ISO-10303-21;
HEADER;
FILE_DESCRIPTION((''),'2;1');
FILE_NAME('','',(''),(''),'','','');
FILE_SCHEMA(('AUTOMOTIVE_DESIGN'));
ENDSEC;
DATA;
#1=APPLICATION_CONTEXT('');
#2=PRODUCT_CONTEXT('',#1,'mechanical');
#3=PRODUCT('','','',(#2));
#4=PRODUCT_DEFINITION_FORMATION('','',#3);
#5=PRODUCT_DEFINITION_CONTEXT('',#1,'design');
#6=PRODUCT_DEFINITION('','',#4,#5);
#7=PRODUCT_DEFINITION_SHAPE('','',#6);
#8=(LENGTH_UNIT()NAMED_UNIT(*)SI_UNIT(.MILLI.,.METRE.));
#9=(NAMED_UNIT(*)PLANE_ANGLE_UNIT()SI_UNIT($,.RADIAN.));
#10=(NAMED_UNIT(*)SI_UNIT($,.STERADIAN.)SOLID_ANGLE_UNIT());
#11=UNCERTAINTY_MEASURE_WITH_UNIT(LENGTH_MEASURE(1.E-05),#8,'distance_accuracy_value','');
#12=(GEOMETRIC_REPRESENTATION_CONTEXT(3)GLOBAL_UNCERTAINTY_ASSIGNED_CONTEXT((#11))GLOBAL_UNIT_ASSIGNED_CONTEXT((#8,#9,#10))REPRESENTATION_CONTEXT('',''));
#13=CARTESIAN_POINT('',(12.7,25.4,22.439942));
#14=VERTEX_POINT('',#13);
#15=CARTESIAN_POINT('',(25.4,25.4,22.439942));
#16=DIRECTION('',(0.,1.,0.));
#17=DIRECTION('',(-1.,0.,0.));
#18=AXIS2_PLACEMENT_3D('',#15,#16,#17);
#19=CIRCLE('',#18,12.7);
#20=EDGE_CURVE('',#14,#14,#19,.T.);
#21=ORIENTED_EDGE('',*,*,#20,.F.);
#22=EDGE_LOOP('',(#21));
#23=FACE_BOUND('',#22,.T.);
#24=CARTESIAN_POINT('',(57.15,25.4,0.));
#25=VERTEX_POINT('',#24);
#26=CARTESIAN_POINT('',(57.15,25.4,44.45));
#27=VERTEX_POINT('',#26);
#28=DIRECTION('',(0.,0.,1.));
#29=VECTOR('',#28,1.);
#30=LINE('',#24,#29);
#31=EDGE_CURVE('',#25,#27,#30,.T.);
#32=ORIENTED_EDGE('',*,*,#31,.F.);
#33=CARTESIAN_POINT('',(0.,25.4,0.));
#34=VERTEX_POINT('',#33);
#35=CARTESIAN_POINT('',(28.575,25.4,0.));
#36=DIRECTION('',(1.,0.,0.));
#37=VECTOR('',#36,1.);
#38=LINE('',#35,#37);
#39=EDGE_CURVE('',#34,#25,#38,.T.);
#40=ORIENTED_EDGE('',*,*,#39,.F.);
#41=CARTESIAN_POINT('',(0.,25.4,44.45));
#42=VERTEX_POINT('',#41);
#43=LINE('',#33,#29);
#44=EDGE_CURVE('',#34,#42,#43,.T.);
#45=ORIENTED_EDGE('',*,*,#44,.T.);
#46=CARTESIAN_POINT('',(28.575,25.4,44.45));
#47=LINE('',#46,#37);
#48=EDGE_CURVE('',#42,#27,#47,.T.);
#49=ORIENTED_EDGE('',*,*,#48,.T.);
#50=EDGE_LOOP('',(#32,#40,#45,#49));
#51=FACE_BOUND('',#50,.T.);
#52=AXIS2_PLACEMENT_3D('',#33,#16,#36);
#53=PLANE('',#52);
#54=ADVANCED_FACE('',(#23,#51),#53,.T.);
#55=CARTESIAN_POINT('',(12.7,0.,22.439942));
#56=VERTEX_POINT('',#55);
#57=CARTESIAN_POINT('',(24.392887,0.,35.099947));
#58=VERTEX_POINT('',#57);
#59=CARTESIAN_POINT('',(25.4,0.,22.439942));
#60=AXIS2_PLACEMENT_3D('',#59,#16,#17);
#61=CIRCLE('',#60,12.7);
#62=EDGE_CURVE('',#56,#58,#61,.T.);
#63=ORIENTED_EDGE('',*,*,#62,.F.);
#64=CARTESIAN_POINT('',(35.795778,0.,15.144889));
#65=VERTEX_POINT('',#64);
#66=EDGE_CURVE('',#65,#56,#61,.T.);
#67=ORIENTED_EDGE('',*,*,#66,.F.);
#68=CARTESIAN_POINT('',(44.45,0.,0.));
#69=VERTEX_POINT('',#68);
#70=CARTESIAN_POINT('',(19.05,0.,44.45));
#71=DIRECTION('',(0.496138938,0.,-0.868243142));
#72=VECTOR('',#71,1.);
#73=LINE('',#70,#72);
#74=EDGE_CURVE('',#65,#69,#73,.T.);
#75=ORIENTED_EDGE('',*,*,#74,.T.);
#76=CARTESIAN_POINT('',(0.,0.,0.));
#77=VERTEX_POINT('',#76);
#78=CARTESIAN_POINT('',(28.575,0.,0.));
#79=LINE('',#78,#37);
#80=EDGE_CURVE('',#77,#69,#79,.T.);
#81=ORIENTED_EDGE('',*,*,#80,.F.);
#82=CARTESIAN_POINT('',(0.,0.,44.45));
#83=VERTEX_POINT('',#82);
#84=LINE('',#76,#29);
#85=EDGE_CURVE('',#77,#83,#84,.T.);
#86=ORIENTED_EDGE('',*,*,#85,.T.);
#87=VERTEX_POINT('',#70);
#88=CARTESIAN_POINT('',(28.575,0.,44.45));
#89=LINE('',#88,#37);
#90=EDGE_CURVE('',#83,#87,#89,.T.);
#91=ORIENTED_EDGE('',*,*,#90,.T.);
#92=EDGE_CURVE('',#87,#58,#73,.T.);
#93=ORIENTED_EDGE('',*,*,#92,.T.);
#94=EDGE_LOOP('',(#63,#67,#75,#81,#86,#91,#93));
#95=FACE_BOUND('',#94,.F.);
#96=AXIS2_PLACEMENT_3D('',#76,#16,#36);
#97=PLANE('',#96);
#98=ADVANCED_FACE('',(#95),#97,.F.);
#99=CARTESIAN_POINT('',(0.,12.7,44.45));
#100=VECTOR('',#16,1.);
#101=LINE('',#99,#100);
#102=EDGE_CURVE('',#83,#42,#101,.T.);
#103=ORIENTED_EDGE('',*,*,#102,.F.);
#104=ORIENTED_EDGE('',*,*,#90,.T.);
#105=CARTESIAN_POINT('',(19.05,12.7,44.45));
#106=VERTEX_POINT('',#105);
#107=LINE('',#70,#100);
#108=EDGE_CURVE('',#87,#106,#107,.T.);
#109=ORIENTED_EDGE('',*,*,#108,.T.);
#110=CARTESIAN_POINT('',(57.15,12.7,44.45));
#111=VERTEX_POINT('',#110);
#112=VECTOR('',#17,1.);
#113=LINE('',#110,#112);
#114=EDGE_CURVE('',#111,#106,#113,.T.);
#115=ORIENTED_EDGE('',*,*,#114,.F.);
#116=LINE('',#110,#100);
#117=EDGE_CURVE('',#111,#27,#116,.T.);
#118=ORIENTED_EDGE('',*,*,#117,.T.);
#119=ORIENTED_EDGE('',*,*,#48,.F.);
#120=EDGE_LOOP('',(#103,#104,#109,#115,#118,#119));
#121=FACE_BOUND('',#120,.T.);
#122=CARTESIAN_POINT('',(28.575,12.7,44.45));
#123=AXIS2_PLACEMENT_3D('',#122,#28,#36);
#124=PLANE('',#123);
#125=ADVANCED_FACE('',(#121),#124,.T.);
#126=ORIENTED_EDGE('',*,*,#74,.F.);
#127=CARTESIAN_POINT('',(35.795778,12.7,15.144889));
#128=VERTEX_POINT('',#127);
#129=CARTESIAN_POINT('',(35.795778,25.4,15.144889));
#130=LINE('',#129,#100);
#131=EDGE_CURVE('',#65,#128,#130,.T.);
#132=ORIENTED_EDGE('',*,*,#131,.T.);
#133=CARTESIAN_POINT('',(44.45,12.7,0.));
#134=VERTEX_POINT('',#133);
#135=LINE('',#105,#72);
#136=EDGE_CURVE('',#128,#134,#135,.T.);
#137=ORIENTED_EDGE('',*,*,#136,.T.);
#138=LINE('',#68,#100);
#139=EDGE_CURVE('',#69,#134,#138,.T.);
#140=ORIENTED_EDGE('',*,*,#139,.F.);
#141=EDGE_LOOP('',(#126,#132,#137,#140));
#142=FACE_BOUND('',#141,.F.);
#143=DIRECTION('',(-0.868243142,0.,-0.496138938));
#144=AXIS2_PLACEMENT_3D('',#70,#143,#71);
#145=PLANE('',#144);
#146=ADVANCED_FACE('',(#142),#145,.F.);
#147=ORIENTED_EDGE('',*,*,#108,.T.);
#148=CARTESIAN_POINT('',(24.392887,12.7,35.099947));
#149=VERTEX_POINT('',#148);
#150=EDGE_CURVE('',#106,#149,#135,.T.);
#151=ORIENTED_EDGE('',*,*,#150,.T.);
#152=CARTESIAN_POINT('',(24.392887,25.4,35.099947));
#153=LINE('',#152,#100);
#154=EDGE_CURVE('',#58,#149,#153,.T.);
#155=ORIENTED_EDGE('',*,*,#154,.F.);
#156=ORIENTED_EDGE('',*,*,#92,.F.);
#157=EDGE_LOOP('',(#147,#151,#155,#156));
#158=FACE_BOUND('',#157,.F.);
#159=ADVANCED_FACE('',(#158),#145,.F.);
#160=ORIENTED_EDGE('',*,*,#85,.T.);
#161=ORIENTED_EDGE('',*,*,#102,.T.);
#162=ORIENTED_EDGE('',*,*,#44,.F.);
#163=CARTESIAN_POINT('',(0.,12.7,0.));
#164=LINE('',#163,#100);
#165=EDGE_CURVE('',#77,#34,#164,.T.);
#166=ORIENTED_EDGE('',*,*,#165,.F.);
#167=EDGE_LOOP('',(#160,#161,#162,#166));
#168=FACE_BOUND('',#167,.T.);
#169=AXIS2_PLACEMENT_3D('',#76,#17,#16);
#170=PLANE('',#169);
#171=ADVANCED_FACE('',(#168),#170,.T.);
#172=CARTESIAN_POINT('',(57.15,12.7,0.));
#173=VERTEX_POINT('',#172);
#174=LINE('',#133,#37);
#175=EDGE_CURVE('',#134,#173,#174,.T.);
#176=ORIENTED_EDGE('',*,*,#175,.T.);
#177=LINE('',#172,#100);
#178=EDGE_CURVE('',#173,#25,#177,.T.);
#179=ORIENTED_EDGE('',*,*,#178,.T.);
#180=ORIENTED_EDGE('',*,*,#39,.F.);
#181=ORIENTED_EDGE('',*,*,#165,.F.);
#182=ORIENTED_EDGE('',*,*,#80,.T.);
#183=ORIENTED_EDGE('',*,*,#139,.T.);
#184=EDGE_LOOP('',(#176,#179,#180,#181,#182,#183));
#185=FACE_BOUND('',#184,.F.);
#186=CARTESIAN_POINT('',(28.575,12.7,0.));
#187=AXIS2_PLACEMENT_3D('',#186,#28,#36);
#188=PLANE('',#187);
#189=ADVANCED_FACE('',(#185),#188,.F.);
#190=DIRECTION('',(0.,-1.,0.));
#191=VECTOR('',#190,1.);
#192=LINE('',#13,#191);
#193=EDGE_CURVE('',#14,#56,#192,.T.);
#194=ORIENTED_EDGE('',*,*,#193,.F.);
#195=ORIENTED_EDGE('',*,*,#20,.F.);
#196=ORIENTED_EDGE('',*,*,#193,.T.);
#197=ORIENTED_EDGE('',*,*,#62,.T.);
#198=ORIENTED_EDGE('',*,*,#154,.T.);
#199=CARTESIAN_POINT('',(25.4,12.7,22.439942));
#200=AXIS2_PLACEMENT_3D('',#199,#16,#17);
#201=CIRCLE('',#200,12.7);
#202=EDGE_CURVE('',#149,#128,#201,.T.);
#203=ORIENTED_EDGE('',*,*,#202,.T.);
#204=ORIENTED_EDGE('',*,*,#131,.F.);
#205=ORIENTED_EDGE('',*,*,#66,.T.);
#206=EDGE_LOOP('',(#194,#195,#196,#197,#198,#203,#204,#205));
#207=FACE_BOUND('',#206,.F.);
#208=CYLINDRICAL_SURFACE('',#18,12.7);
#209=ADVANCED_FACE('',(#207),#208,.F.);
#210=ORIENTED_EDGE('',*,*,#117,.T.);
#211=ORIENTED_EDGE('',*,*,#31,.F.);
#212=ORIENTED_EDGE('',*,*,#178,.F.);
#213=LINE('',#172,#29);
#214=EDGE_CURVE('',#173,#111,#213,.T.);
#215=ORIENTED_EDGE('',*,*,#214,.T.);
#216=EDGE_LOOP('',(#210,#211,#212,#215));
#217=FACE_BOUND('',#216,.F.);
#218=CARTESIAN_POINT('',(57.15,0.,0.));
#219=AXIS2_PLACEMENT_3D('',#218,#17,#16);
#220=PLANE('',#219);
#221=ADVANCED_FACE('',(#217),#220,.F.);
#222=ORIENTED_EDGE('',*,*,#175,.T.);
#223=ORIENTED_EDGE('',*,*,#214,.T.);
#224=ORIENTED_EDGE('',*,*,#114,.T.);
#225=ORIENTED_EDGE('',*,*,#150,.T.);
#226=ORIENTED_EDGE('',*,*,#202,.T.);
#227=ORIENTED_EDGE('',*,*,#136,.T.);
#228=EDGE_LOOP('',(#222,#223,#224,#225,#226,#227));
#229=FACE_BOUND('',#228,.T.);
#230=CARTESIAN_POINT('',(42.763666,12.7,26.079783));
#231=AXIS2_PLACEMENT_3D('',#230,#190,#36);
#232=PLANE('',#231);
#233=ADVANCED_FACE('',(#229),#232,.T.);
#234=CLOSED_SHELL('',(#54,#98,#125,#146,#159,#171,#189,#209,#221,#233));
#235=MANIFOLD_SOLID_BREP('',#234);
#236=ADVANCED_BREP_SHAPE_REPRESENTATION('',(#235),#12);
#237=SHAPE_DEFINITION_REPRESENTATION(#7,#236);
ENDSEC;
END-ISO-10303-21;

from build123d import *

# Parameters (mm, degrees)
F0_W     = 57.15
F0_H     = 25.4
F1_DEPTH = 44.45
F3_DEPTH = 12.7
F4_R     = 12.7
F5_DEPTH = 25.4


with BuildPart() as f1:
    # F0 (on Top) → F1 (new body)
    with BuildSketch(Plane.XY):
        with Locations((28.575, 12.7)):
            Rectangle(F0_W, F0_H)
    extrude(amount=F1_DEPTH)

    # F2 (on face) → F3 (cut)
    with BuildSketch(Plane.XZ):
        Polygon((57.15, 44.45), (19.05, 44.45), (44.45, 0), (57.15, 0), align=None)
    extrude(amount=-F3_DEPTH, mode=Mode.SUBTRACT)

    # F4 (on face) → F5 (cut)
    with BuildSketch(Plane(origin=(0, 25.4, 0), x_dir=(-1, 0, 0), z_dir=(0, 1, 0))):
        with Locations((-25.4, 22.439942)):
            Circle(F4_R)
    extrude(amount=-F5_DEPTH, mode=Mode.SUBTRACT)


solid = f1.part
